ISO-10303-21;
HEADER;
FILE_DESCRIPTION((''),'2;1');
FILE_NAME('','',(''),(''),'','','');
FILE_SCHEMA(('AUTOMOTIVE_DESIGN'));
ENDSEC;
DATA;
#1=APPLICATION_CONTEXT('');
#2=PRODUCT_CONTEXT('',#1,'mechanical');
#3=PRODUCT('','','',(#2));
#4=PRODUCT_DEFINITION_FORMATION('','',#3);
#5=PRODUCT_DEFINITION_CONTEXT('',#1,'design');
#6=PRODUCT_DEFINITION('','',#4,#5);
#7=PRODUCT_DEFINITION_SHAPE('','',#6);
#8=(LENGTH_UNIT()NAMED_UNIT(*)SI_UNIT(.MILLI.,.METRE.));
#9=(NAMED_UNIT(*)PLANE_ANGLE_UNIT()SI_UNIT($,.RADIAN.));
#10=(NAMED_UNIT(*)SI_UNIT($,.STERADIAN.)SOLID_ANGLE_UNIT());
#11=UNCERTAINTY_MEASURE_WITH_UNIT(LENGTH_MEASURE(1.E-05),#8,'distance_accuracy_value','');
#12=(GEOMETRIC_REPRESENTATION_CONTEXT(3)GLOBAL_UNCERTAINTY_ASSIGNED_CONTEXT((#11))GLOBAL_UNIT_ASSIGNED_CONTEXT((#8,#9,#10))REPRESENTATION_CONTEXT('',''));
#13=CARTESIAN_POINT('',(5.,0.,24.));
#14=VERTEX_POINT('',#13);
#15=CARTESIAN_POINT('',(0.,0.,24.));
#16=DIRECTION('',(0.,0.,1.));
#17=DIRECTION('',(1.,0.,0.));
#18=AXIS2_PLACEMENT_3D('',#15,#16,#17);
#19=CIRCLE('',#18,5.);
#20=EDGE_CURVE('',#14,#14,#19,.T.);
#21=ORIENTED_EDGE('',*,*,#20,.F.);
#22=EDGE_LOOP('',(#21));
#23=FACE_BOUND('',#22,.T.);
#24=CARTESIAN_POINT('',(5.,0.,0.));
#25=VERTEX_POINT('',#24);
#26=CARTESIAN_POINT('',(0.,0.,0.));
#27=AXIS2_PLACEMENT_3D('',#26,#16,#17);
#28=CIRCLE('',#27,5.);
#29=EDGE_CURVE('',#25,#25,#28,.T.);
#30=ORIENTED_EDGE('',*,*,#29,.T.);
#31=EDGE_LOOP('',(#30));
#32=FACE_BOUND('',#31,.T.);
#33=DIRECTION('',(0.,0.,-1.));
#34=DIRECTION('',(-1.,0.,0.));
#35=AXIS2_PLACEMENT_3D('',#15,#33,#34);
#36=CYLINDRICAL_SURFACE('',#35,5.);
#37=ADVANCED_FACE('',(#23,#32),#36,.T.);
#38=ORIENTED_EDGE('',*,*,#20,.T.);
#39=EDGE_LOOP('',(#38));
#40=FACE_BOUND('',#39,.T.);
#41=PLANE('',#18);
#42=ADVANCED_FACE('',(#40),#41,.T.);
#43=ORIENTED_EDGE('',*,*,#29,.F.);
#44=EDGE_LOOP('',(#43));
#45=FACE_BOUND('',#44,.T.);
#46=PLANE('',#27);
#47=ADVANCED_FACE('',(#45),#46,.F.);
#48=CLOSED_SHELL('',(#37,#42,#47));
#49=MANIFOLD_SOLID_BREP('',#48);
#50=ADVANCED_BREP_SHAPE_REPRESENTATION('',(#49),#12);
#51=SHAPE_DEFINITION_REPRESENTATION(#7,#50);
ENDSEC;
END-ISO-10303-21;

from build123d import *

# Parameters (mm, degrees)
SKETCH_1_R      = 5
EXTRUDE_1_DEPTH = 24


with BuildPart() as part:
    # 草图1 → 凸台-拉伸1 (new body)
    with BuildSketch(Plane.XY):
        Circle(SKETCH_1_R)
    extrude(amount=EXTRUDE_1_DEPTH)


solid = part.part
